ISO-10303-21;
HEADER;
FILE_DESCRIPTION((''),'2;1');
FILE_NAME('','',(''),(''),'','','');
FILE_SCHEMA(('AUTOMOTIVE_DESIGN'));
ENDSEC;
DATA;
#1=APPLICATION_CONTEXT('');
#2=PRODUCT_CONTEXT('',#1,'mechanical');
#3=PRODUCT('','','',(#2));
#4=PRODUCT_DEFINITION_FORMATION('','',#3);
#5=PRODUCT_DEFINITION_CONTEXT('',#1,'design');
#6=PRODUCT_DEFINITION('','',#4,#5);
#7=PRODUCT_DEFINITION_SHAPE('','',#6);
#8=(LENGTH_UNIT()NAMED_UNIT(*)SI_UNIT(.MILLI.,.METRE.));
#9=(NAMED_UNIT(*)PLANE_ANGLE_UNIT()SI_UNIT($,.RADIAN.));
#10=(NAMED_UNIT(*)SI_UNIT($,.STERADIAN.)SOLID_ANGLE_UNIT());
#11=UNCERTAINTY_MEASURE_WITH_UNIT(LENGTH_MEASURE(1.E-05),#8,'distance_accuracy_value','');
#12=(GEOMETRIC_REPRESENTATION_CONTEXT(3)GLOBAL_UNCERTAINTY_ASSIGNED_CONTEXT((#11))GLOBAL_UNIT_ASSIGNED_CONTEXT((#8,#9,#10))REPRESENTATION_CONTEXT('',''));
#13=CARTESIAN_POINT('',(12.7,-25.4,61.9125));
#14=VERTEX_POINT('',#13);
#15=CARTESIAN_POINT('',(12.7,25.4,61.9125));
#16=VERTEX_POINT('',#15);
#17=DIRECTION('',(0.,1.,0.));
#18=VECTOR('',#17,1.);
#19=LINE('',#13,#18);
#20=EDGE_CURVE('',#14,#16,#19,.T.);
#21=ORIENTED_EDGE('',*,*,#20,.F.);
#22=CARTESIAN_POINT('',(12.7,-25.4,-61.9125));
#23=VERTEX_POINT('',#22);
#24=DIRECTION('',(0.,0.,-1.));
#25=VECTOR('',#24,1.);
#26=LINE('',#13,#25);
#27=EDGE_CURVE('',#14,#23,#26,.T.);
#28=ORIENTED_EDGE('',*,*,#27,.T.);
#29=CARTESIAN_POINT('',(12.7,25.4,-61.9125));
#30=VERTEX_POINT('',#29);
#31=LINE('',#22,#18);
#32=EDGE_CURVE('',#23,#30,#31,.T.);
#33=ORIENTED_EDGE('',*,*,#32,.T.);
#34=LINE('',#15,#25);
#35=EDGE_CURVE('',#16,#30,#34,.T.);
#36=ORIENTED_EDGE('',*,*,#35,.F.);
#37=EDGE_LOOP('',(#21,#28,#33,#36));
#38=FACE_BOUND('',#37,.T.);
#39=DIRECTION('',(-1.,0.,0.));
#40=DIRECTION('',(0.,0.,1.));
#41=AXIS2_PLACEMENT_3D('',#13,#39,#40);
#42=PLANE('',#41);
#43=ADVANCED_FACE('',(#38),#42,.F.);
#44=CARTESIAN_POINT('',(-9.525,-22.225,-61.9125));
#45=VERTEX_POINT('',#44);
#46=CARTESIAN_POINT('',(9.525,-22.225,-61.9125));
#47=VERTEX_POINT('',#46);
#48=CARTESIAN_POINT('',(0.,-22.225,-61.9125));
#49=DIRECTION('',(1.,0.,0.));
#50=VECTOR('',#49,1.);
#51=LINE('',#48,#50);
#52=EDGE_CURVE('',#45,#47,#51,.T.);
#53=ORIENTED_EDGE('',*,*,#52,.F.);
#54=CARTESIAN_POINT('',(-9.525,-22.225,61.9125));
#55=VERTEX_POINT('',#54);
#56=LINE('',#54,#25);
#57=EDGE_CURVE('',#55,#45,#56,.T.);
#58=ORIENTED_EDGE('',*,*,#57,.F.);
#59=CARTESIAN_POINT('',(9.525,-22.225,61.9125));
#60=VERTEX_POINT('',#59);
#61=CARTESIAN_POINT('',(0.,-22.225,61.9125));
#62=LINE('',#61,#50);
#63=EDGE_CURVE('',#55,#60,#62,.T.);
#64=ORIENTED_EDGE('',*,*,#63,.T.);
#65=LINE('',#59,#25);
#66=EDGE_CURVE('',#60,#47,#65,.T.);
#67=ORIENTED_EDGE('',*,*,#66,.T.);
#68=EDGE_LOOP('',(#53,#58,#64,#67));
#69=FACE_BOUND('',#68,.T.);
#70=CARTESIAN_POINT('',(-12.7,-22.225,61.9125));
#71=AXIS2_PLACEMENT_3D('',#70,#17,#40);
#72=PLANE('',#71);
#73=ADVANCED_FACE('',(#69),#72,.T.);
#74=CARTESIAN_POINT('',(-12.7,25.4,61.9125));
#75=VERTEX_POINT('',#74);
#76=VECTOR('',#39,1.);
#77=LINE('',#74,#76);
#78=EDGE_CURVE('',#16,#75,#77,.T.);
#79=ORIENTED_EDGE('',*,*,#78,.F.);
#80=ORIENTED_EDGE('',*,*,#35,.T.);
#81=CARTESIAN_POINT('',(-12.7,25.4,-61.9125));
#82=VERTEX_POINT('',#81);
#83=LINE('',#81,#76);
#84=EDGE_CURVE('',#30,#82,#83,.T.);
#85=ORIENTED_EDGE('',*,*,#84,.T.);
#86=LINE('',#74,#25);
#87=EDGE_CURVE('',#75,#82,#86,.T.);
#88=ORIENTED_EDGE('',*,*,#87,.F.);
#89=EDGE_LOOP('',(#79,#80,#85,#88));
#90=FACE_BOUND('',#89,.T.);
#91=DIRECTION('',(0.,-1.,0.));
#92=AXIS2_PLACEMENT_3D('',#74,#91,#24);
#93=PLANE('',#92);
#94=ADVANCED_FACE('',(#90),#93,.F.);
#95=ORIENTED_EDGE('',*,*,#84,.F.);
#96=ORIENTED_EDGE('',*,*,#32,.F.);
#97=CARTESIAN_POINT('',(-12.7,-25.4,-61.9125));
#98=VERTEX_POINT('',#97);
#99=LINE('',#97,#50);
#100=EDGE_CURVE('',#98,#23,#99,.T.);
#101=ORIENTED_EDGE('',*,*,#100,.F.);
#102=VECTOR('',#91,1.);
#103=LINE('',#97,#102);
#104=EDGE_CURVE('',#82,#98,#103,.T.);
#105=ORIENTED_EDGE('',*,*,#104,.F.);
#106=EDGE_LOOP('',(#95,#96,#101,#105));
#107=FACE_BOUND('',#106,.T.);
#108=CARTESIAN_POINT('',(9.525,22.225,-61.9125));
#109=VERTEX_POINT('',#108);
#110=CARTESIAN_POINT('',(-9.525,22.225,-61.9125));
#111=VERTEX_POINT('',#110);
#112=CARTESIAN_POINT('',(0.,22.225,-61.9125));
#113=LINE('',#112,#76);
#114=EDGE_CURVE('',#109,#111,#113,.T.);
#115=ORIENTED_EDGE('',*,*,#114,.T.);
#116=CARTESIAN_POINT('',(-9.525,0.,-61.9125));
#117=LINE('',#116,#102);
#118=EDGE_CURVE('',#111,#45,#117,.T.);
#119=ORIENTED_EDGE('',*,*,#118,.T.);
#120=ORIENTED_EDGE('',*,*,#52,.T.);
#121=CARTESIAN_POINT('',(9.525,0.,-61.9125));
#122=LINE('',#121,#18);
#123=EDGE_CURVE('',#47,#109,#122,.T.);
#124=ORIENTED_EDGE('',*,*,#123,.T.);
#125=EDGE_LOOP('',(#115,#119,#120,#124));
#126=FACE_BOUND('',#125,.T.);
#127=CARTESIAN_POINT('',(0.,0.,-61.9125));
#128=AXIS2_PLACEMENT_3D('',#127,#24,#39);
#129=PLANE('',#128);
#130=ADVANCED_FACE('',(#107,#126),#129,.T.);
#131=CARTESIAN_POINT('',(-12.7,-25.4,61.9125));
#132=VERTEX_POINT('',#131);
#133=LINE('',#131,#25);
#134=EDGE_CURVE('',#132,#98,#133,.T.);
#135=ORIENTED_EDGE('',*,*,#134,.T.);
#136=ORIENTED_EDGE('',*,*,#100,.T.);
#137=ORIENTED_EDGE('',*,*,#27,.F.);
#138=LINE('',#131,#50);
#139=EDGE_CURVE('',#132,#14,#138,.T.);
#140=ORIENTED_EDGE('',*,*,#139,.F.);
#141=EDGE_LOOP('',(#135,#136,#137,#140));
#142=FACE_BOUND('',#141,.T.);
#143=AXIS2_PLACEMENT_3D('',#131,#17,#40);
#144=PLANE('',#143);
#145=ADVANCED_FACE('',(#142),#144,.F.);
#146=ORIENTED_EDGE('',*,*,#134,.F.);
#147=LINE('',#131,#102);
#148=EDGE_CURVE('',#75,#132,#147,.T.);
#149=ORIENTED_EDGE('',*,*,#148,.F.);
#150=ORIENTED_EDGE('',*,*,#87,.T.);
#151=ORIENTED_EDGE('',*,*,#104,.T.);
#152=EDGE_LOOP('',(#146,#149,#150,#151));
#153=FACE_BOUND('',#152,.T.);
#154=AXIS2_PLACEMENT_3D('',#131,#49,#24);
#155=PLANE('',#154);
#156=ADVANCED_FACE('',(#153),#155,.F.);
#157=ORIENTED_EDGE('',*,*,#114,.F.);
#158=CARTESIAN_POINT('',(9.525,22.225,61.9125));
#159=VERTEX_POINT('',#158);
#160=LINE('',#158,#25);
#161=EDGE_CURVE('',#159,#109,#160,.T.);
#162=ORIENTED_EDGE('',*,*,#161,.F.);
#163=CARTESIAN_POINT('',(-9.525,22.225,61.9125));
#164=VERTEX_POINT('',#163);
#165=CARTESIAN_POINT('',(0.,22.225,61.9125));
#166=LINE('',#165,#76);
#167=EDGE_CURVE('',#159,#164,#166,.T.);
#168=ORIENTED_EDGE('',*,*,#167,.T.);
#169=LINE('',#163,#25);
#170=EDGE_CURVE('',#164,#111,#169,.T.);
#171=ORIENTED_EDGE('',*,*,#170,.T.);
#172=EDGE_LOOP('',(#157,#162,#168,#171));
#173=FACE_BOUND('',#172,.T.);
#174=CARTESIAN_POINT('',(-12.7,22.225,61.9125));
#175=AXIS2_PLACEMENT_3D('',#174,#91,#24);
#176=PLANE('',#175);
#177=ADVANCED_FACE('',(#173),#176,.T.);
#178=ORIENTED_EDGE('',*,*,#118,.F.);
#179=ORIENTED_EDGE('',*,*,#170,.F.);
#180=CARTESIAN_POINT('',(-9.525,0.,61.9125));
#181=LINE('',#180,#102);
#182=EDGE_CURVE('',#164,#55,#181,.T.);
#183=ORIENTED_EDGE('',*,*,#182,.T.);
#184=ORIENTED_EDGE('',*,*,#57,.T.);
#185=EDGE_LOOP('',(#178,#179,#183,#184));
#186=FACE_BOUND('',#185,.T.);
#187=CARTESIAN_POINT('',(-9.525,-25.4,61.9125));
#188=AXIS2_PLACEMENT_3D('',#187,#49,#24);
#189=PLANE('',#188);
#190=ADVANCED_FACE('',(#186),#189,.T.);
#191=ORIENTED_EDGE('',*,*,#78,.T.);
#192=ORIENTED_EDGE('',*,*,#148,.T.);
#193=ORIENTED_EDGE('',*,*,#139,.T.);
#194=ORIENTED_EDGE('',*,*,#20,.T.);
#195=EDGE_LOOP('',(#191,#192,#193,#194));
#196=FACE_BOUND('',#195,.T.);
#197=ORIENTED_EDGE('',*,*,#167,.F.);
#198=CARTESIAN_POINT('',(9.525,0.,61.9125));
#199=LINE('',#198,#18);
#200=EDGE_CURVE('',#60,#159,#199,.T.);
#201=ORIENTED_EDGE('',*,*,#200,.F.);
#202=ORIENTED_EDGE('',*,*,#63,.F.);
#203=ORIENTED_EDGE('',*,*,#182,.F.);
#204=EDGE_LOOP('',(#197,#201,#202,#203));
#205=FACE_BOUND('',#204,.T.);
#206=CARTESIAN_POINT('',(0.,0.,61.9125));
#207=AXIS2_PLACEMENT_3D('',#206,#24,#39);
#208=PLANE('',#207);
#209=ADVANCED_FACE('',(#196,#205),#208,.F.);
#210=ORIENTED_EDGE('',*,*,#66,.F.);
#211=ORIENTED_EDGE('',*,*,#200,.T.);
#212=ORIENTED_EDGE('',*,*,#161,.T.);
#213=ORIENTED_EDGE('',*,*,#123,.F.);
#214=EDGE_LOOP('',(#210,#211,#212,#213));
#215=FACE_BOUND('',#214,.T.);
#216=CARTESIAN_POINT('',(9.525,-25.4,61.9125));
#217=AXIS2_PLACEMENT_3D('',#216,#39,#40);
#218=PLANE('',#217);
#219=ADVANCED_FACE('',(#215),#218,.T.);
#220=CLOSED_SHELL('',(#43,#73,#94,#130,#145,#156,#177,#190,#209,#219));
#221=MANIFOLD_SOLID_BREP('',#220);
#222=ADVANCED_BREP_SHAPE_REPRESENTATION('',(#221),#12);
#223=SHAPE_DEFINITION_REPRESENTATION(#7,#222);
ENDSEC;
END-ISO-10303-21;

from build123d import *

# Parameters (mm, degrees)
SKETCH1_W           = 25.4
SKETCH1_H           = 50.8
BOSS_EXTRUDE1_DEPTH = 61.9125
SHELL1_T            = -3.175


with BuildPart() as part:
    # Sketch1 → Boss-Extrude1 (new body, symmetric)
    with BuildSketch(Plane.XY):
        Rectangle(SKETCH1_W, SKETCH1_H)
    extrude(amount=BOSS_EXTRUDE1_DEPTH, both=True)

    # Shell1
    shell1_openings = [part.faces().sort_by_distance(p)[0] for p in [
        (0, 0, 61.9125),
        (0, 0, -61.9125),
    ]]
    offset(amount=SHELL1_T, openings=shell1_openings, kind=Kind.INTERSECTION)


solid = part.part
